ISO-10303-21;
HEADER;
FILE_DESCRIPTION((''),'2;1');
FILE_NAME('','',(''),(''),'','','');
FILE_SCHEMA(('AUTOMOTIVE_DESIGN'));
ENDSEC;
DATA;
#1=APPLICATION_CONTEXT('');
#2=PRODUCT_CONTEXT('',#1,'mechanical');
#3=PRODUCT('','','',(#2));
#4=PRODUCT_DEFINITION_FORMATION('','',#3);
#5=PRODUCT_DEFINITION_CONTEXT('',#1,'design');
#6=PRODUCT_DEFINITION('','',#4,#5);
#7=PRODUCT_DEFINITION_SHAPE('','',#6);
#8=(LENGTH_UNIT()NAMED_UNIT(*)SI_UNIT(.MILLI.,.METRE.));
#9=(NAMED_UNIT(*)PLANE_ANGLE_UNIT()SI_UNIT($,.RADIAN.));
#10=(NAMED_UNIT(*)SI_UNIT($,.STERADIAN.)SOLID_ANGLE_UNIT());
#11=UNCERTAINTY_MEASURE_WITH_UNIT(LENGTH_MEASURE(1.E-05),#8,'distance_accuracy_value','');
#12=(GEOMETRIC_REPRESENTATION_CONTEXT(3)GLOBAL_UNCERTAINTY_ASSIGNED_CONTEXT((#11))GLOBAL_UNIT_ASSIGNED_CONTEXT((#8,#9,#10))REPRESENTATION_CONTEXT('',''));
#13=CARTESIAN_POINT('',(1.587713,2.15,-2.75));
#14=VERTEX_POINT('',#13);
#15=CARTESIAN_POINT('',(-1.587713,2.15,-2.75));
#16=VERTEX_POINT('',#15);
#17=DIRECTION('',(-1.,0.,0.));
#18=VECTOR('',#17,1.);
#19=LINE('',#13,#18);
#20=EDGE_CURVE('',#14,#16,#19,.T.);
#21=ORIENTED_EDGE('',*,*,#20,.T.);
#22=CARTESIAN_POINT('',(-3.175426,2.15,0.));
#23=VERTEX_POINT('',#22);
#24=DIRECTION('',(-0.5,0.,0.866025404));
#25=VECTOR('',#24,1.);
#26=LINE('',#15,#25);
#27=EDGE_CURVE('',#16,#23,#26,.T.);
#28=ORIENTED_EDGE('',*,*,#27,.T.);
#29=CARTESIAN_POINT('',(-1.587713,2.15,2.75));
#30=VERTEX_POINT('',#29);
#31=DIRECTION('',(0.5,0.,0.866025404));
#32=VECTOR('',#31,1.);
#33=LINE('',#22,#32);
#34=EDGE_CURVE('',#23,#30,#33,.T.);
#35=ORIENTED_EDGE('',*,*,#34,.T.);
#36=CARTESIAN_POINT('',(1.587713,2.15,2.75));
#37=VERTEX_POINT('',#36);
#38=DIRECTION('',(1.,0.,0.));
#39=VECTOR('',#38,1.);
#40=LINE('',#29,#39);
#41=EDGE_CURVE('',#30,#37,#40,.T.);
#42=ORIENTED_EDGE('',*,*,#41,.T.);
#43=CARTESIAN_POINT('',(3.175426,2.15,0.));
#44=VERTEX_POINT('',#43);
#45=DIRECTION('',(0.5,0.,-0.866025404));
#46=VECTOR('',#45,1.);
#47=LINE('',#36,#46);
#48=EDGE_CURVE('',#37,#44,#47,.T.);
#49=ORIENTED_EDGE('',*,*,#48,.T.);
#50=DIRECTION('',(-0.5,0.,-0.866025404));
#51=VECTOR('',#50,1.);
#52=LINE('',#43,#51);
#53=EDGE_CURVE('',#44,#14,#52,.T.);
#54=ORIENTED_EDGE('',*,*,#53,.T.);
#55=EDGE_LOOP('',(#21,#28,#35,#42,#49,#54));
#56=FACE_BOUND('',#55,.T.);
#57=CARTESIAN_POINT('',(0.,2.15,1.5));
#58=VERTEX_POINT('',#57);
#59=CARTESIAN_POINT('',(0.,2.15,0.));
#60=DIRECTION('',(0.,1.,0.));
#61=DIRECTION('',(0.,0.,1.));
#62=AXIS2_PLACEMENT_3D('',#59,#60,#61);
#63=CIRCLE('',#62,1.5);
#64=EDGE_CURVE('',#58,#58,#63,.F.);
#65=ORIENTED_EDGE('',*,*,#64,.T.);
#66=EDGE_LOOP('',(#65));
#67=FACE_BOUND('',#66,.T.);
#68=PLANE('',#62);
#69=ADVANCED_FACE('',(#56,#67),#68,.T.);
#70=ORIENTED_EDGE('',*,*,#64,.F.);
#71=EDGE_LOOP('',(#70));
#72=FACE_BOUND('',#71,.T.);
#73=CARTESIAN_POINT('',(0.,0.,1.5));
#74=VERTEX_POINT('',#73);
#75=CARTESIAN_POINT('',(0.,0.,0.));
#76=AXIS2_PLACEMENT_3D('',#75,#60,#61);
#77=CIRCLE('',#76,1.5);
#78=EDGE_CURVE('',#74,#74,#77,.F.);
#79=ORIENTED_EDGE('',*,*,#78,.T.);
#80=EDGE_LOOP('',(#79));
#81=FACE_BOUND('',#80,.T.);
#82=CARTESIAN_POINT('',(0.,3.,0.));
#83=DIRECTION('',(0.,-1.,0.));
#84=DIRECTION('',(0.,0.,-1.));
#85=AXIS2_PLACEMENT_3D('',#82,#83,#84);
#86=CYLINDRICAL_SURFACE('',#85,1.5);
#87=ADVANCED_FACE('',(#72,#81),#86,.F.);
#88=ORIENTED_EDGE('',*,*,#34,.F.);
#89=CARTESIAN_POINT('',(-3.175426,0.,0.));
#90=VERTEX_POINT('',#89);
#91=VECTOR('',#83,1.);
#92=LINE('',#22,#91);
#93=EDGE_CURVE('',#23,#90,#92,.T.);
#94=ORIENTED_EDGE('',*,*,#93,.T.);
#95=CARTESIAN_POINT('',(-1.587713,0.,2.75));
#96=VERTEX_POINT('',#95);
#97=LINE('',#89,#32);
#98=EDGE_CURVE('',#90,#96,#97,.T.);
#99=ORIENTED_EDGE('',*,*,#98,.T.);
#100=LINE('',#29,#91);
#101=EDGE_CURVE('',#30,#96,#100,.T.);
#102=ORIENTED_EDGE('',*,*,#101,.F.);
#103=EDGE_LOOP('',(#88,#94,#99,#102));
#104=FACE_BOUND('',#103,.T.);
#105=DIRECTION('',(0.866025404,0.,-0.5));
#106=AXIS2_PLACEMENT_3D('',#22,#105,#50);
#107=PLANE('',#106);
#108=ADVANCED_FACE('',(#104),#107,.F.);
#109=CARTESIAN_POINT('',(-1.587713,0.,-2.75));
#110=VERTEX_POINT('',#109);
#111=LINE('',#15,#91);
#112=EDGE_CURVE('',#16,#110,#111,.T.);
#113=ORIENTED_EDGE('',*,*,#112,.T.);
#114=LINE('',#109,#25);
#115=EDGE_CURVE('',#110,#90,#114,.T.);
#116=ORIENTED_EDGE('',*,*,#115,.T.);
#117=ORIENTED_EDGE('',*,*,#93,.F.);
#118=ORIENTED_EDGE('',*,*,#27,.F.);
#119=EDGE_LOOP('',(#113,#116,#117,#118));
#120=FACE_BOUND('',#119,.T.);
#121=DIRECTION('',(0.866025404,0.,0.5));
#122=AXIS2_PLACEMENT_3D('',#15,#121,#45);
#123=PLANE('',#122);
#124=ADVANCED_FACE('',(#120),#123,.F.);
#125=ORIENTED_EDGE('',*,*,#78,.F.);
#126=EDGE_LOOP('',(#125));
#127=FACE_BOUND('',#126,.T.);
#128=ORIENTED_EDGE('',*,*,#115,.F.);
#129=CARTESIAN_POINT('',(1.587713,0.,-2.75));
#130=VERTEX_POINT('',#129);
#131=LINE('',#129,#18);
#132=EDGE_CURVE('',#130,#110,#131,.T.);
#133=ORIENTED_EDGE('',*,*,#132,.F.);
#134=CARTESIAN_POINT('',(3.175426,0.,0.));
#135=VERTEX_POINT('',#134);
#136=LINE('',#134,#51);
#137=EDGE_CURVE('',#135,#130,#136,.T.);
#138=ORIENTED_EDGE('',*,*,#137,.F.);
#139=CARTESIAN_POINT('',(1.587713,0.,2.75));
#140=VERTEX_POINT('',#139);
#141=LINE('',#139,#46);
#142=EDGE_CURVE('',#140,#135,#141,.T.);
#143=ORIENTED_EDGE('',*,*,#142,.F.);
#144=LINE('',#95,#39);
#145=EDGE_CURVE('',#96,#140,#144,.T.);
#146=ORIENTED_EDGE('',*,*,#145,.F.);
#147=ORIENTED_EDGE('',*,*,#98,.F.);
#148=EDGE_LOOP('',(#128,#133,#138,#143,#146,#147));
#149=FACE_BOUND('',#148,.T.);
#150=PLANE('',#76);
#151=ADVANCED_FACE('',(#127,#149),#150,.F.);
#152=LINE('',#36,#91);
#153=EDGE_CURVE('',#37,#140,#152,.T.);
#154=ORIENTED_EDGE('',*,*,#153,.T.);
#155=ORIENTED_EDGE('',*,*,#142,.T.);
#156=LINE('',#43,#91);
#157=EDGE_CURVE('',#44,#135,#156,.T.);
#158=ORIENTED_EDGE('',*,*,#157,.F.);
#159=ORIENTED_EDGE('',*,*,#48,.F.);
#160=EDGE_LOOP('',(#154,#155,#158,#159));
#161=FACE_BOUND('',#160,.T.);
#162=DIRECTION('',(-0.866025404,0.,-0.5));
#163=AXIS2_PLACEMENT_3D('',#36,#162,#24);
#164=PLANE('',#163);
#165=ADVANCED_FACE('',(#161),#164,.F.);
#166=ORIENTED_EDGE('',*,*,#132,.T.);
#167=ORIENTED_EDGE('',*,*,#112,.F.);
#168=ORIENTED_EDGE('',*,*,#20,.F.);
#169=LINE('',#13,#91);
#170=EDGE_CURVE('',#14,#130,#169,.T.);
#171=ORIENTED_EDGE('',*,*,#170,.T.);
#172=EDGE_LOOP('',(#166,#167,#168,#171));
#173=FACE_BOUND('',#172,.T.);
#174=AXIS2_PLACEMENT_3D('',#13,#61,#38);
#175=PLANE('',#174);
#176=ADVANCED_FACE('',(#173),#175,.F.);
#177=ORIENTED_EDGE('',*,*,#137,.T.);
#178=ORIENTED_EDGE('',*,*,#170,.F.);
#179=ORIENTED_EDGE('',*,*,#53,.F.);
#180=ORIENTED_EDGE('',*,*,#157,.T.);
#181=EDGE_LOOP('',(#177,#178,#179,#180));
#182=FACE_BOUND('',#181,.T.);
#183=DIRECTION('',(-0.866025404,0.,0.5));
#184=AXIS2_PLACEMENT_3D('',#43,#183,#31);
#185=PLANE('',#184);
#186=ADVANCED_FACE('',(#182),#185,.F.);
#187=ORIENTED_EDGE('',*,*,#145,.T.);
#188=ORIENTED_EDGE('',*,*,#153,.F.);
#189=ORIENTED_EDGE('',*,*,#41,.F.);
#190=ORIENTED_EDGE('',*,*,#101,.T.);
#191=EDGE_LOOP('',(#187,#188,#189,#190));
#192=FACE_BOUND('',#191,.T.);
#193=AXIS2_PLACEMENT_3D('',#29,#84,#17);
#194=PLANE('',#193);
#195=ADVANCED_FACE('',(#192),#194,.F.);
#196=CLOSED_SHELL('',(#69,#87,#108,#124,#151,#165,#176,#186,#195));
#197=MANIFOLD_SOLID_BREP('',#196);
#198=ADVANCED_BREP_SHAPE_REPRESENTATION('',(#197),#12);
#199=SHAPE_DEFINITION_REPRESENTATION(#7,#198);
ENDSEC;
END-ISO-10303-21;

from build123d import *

# Parameters (mm, degrees)
EXTRUDE_1_DEPTH          = 2.15
CUT_EXTRUDE_1_DEPTH      = 3
CUT_EXTRUDE_1_DEPTH_BACK = 0.8
SKETCH_3_R               = 1.5


with BuildPart() as part:
    # 草图1 → 凸台-拉伸1 (new body)
    with BuildSketch(Plane(origin=(0, 0, 0), x_dir=(1, 0, 0), z_dir=(0, 1, 0))):
        Polygon((3.175426481, 0), (1.58771324, 2.75), (-1.58771324, 2.75), (-3.175426481, 0), (-1.58771324, -2.75), (1.58771324, -2.75), align=None)
    extrude(amount=EXTRUDE_1_DEPTH)

    # 草图3 → 切除-拉伸1 (cut, two sides: drawn at the far end of the back side and taken through both)
    with BuildSketch(Plane(origin=(0, 0, 0), x_dir=(1, 0, 0), z_dir=(0, 1, 0)).offset(-CUT_EXTRUDE_1_DEPTH_BACK)):
        with Locations(Location((0, 0, 0), (0, 0, 270))):
            Circle(SKETCH_3_R)
    extrude(amount=CUT_EXTRUDE_1_DEPTH + CUT_EXTRUDE_1_DEPTH_BACK, mode=Mode.SUBTRACT)


solid = part.part
